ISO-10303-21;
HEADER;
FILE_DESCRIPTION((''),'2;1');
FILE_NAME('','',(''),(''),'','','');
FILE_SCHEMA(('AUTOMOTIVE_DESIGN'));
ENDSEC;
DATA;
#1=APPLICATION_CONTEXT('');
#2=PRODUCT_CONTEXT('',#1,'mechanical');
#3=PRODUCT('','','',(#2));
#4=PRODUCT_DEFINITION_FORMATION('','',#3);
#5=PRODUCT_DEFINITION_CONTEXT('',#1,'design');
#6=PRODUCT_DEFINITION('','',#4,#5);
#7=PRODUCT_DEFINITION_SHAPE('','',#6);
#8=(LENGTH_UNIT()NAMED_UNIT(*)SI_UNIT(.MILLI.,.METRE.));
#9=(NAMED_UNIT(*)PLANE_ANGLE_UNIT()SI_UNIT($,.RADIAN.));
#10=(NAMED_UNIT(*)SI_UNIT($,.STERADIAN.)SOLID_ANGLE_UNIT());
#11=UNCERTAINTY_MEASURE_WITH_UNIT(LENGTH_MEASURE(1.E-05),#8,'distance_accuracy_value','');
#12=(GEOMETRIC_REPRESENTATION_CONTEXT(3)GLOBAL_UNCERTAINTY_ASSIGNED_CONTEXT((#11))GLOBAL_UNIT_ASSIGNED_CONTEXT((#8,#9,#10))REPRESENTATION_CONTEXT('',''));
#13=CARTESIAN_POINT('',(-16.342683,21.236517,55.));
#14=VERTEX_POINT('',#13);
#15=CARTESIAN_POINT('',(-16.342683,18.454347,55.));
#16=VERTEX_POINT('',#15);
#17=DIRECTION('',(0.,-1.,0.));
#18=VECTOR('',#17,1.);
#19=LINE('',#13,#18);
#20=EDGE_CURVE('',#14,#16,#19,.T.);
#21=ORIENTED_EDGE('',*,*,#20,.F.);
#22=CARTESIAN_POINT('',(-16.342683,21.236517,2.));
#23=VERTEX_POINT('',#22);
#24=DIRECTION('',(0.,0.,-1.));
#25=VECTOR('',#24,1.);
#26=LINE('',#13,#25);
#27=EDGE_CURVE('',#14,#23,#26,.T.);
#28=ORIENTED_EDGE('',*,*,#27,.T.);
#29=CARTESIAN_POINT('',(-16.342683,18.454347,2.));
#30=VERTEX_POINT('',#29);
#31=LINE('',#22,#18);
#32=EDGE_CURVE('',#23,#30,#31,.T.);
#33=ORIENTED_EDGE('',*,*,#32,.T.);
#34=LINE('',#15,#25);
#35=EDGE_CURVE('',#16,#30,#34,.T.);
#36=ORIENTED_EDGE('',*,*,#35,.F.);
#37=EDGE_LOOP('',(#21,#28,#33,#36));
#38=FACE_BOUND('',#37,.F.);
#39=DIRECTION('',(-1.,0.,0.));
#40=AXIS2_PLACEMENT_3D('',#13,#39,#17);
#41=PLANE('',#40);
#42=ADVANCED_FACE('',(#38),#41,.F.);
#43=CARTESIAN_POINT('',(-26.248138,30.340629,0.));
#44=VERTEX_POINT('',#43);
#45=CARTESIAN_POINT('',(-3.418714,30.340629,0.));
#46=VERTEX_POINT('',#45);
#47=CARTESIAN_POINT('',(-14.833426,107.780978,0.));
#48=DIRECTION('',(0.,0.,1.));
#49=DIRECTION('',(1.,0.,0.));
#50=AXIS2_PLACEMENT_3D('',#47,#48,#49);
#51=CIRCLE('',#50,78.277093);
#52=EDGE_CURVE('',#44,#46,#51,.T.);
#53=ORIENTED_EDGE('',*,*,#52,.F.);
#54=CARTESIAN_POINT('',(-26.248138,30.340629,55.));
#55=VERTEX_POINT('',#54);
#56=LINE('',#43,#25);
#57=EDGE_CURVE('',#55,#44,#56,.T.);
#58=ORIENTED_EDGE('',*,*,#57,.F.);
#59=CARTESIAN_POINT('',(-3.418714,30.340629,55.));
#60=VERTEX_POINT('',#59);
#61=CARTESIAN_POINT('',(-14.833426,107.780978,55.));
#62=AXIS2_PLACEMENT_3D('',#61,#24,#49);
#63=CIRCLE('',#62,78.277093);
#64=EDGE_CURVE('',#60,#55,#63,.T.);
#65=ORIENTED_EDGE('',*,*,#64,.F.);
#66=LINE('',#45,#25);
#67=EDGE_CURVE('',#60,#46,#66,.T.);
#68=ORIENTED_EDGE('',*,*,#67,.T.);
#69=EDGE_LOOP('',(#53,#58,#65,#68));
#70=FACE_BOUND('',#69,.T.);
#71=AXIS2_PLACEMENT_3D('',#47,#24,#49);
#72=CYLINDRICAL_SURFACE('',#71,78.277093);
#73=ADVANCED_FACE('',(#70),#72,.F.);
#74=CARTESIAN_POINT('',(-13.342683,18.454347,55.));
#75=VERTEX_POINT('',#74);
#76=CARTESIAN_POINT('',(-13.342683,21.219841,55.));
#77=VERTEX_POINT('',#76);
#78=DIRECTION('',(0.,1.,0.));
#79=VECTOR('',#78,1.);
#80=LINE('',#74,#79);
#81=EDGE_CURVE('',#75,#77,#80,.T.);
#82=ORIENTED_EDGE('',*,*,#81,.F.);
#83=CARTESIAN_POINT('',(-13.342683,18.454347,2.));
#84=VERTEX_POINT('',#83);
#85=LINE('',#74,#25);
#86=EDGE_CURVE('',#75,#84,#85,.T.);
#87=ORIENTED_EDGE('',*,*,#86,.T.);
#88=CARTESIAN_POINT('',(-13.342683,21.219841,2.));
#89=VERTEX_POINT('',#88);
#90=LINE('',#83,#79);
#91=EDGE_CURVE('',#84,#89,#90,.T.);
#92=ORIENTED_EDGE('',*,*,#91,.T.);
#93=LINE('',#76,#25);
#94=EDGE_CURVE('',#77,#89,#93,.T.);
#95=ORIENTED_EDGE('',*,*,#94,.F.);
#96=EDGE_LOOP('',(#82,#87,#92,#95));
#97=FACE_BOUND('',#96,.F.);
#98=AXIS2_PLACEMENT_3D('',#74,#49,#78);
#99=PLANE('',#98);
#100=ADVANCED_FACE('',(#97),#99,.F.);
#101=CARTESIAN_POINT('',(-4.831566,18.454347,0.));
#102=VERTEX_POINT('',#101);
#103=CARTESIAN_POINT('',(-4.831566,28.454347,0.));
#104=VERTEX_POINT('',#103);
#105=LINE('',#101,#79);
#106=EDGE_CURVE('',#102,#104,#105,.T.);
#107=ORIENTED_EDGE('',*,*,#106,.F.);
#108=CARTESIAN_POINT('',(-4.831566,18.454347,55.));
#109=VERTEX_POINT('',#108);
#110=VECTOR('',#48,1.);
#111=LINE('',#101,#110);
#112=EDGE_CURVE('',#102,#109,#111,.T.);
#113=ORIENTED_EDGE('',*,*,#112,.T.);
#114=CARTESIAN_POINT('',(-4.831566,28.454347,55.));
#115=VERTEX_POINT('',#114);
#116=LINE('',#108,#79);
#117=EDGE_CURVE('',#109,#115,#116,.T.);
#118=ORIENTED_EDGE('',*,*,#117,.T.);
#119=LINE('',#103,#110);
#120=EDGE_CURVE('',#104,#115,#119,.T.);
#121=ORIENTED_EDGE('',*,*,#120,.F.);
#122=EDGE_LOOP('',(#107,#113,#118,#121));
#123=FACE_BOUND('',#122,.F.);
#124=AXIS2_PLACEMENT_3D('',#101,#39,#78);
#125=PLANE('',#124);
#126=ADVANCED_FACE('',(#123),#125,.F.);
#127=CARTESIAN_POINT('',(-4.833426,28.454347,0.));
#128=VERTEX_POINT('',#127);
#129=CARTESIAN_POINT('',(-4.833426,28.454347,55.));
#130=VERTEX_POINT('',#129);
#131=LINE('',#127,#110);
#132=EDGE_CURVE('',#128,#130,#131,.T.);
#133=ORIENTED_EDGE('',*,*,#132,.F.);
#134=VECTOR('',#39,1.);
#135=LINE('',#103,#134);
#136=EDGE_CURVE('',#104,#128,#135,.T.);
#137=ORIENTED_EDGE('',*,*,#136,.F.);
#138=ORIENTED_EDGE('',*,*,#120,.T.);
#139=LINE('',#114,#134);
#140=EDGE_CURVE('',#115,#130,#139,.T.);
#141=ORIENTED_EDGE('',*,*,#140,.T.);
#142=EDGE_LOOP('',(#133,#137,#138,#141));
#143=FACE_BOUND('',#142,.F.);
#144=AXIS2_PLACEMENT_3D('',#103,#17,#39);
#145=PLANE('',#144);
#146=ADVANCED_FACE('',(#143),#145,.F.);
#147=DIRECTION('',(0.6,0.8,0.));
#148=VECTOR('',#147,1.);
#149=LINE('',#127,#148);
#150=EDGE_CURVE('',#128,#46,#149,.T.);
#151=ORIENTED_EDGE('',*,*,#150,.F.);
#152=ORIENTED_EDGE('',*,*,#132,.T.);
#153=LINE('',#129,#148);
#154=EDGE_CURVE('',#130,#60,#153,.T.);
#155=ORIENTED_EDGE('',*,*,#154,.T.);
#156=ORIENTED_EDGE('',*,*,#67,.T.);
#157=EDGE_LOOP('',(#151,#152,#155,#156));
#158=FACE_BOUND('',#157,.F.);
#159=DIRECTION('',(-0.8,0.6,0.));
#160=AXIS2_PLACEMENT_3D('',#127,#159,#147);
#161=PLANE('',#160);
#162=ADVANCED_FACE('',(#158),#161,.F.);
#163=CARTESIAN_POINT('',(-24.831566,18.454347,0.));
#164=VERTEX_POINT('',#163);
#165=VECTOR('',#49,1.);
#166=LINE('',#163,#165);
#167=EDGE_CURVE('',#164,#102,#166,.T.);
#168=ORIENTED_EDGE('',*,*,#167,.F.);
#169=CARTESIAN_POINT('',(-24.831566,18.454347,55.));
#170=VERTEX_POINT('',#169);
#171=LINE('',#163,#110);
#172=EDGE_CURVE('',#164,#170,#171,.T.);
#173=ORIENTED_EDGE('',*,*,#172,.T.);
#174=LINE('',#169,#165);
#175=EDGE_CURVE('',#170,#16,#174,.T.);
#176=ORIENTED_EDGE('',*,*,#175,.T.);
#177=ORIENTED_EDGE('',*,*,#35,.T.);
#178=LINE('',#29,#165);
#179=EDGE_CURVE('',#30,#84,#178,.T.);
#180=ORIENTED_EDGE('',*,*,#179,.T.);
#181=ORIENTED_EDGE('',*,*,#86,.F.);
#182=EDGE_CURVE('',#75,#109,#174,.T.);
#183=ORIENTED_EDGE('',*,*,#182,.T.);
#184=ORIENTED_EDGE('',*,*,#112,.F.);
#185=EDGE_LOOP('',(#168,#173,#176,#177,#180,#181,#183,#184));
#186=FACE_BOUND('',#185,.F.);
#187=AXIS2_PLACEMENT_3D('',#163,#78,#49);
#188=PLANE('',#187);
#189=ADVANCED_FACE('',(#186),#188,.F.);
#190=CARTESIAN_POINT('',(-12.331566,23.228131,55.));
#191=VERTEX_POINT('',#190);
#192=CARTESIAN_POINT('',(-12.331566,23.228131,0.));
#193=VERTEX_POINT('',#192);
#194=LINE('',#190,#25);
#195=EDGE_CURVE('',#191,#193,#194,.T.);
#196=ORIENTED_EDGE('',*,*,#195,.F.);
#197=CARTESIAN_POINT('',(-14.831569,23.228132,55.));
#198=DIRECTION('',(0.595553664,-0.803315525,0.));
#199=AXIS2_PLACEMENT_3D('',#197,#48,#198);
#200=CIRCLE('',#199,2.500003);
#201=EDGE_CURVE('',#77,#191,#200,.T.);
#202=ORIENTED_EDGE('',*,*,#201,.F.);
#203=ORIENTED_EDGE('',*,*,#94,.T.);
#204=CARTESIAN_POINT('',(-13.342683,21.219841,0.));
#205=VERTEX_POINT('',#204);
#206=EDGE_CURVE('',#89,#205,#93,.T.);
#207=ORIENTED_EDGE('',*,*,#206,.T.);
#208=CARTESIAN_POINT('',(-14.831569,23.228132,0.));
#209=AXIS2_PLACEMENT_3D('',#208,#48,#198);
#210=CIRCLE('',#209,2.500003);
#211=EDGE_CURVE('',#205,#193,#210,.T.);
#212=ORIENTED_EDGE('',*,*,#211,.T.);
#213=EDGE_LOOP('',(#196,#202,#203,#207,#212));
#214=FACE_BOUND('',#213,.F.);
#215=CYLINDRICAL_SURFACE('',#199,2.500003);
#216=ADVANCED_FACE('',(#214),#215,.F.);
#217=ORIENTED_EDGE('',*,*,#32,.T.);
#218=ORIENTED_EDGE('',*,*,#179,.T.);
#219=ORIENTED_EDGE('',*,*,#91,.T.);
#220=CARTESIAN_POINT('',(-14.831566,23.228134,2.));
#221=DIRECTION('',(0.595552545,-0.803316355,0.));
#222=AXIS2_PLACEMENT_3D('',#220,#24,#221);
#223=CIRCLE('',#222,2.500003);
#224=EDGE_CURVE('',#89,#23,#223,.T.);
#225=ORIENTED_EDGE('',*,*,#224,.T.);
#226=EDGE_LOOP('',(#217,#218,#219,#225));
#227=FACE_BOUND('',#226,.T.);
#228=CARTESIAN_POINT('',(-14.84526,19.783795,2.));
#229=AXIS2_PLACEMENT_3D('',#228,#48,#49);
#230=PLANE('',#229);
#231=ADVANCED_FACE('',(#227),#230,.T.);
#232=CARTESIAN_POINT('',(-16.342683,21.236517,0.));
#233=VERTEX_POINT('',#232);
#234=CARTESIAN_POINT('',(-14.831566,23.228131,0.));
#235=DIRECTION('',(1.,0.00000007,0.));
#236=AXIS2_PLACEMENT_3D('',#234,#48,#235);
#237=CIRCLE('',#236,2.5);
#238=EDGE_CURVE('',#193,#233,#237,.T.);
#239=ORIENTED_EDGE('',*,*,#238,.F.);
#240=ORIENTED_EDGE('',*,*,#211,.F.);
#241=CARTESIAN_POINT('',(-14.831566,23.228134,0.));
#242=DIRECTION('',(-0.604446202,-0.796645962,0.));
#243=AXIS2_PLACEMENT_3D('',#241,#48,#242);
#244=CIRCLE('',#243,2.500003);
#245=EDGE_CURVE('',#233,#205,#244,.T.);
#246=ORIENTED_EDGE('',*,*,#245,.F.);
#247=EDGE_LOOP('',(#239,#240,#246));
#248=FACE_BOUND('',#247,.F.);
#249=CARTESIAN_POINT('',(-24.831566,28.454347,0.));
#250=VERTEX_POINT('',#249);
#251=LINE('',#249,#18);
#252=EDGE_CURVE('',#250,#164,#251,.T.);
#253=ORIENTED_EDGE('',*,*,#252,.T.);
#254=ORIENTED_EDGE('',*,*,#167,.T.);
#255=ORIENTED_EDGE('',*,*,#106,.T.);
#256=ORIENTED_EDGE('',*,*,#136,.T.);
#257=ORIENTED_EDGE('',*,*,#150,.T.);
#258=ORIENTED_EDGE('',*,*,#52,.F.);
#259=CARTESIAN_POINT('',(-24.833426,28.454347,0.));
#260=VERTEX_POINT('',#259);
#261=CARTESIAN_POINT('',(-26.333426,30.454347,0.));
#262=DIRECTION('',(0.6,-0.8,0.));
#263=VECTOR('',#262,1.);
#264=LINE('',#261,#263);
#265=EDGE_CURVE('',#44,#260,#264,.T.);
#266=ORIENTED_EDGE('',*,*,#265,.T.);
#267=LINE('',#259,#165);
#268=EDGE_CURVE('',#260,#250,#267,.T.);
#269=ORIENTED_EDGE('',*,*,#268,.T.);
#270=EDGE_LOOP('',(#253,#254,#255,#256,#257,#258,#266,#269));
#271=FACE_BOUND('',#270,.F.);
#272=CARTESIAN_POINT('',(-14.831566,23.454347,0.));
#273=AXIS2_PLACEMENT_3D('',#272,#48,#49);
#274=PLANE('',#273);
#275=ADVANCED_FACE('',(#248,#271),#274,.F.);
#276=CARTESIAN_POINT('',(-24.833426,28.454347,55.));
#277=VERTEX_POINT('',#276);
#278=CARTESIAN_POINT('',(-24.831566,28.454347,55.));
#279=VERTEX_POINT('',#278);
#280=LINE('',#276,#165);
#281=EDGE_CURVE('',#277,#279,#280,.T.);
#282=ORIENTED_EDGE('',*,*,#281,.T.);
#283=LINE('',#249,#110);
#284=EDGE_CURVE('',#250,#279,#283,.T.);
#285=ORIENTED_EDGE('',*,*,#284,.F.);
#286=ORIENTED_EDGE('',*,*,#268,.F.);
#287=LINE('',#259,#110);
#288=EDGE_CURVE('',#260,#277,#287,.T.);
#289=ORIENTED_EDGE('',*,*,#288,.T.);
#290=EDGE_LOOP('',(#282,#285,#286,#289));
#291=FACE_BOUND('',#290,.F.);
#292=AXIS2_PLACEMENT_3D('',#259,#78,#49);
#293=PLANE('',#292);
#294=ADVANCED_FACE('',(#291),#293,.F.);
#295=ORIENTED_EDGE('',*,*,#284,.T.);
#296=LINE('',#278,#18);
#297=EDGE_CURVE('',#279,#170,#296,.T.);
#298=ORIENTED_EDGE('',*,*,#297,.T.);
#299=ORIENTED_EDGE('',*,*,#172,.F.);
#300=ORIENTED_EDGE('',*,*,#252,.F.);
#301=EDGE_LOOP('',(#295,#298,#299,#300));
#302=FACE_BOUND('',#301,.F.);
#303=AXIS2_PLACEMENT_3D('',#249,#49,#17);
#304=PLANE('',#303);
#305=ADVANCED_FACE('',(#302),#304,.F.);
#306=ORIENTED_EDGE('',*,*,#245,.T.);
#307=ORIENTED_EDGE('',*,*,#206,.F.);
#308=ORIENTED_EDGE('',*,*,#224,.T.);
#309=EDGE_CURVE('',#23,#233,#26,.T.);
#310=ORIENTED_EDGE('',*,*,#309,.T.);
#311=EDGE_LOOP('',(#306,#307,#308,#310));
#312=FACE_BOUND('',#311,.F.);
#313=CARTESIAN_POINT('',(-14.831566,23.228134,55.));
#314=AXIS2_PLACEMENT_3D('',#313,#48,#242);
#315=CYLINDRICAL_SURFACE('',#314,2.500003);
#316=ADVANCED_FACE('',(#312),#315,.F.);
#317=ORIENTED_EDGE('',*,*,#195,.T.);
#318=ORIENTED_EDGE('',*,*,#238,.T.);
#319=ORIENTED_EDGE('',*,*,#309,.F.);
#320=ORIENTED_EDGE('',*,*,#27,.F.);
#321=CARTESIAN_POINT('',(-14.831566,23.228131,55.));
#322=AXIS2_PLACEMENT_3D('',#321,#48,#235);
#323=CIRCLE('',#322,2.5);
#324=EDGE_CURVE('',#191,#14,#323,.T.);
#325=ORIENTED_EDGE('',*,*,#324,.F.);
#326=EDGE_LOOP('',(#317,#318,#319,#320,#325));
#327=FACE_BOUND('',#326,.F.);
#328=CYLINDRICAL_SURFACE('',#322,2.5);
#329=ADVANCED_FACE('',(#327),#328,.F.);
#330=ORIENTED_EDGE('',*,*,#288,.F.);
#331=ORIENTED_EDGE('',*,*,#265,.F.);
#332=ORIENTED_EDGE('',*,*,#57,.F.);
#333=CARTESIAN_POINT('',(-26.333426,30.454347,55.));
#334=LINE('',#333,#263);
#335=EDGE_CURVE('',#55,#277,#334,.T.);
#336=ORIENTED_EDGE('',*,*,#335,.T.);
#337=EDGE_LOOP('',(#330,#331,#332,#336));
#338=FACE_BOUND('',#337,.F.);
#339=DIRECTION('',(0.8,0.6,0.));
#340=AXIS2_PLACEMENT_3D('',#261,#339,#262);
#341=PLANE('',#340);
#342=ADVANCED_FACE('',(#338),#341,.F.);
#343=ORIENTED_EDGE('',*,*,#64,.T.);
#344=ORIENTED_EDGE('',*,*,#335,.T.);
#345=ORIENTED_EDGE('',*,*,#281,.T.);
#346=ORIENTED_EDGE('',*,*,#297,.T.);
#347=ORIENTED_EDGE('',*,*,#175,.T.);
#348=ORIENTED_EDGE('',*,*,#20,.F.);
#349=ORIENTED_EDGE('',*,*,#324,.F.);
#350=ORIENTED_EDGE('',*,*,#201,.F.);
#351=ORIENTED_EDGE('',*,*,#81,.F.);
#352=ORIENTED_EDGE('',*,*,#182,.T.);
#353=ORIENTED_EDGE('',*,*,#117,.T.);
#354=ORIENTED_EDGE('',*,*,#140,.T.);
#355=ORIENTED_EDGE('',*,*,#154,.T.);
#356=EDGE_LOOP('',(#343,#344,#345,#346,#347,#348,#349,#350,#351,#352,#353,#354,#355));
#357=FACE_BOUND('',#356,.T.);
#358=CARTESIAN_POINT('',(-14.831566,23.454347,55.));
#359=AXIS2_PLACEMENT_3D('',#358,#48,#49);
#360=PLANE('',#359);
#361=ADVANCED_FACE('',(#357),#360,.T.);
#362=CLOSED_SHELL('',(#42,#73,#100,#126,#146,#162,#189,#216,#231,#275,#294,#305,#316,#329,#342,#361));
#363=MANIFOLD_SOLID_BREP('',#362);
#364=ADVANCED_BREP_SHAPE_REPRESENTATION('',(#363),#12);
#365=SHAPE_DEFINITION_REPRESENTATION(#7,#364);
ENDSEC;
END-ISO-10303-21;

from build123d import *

# Parameters (mm, degrees)
F2_DEPTH = 55
F1_R     = 78.277093
F3_DEPTH = 60
F5_DEPTH = 60
F6_DEPTH = 53


with BuildPart() as f2:
    # F0 (on Top) → F2 (new body)
    with BuildSketch(Plane.XY):
        Polygon((-4.833426, 28.454347), (-24.831566, 28.454347), (-24.831566, 18.454347), (-4.831566, 18.454347), (-4.831566, 28.454347), align=None)
        Polygon((-24.833426, 28.454347), (-24.831566, 28.454347), (-4.833426, 28.454347), (-3.333426, 30.454347), (-26.333426, 30.454347), align=None)
    extrude(amount=F2_DEPTH)

    # F1 (on Top) → F3 (cut)
    with BuildSketch(Plane.XY):
        with Locations((-14.833426, 107.780978)):
            Circle(F1_R)
    extrude(amount=F3_DEPTH, mode=Mode.SUBTRACT)

    # F4 (on face) → F5 (cut)
    with BuildSketch(Plane.XY.offset(55)):
        with BuildLine():
            ThreePointArc((-13.342683, 21.219841), (-12.598608, 22.103899), (-12.331566, 23.228131))
            ThreePointArc((-12.331566, 23.228131), (-15.943368, 25.467304), (-16.342683, 21.236517))
            Line((-16.342683, 21.236517), (-13.342683, 21.236517))
            Line((-13.342683, 21.236517), (-13.342683, 21.219841))
        make_face()
        with BuildLine():
            Line((-13.342683, 21.236517), (-16.342683, 21.236517))
            ThreePointArc((-16.342683, 21.236517), (-14.845463, 20.72817), (-13.342683, 21.219841))
            Line((-13.342683, 21.219841), (-13.342683, 21.236517))
        make_face()
    extrude(amount=-F5_DEPTH, mode=Mode.SUBTRACT)

    # F4 (on face) → F6 (cut)
    with BuildSketch(Plane.XY.offset(55)):
        with BuildLine():
            ThreePointArc((-13.342683, 21.219841), (-14.845463, 20.72817), (-16.342683, 21.236517))
            Line((-16.342683, 21.236517), (-16.342683, 18.454347))
            Line((-16.342683, 18.454347), (-13.342683, 18.454347))
            Line((-13.342683, 18.454347), (-13.342683, 21.219841))
        make_face()
    extrude(amount=-F6_DEPTH, mode=Mode.SUBTRACT)


solid = f2.part
